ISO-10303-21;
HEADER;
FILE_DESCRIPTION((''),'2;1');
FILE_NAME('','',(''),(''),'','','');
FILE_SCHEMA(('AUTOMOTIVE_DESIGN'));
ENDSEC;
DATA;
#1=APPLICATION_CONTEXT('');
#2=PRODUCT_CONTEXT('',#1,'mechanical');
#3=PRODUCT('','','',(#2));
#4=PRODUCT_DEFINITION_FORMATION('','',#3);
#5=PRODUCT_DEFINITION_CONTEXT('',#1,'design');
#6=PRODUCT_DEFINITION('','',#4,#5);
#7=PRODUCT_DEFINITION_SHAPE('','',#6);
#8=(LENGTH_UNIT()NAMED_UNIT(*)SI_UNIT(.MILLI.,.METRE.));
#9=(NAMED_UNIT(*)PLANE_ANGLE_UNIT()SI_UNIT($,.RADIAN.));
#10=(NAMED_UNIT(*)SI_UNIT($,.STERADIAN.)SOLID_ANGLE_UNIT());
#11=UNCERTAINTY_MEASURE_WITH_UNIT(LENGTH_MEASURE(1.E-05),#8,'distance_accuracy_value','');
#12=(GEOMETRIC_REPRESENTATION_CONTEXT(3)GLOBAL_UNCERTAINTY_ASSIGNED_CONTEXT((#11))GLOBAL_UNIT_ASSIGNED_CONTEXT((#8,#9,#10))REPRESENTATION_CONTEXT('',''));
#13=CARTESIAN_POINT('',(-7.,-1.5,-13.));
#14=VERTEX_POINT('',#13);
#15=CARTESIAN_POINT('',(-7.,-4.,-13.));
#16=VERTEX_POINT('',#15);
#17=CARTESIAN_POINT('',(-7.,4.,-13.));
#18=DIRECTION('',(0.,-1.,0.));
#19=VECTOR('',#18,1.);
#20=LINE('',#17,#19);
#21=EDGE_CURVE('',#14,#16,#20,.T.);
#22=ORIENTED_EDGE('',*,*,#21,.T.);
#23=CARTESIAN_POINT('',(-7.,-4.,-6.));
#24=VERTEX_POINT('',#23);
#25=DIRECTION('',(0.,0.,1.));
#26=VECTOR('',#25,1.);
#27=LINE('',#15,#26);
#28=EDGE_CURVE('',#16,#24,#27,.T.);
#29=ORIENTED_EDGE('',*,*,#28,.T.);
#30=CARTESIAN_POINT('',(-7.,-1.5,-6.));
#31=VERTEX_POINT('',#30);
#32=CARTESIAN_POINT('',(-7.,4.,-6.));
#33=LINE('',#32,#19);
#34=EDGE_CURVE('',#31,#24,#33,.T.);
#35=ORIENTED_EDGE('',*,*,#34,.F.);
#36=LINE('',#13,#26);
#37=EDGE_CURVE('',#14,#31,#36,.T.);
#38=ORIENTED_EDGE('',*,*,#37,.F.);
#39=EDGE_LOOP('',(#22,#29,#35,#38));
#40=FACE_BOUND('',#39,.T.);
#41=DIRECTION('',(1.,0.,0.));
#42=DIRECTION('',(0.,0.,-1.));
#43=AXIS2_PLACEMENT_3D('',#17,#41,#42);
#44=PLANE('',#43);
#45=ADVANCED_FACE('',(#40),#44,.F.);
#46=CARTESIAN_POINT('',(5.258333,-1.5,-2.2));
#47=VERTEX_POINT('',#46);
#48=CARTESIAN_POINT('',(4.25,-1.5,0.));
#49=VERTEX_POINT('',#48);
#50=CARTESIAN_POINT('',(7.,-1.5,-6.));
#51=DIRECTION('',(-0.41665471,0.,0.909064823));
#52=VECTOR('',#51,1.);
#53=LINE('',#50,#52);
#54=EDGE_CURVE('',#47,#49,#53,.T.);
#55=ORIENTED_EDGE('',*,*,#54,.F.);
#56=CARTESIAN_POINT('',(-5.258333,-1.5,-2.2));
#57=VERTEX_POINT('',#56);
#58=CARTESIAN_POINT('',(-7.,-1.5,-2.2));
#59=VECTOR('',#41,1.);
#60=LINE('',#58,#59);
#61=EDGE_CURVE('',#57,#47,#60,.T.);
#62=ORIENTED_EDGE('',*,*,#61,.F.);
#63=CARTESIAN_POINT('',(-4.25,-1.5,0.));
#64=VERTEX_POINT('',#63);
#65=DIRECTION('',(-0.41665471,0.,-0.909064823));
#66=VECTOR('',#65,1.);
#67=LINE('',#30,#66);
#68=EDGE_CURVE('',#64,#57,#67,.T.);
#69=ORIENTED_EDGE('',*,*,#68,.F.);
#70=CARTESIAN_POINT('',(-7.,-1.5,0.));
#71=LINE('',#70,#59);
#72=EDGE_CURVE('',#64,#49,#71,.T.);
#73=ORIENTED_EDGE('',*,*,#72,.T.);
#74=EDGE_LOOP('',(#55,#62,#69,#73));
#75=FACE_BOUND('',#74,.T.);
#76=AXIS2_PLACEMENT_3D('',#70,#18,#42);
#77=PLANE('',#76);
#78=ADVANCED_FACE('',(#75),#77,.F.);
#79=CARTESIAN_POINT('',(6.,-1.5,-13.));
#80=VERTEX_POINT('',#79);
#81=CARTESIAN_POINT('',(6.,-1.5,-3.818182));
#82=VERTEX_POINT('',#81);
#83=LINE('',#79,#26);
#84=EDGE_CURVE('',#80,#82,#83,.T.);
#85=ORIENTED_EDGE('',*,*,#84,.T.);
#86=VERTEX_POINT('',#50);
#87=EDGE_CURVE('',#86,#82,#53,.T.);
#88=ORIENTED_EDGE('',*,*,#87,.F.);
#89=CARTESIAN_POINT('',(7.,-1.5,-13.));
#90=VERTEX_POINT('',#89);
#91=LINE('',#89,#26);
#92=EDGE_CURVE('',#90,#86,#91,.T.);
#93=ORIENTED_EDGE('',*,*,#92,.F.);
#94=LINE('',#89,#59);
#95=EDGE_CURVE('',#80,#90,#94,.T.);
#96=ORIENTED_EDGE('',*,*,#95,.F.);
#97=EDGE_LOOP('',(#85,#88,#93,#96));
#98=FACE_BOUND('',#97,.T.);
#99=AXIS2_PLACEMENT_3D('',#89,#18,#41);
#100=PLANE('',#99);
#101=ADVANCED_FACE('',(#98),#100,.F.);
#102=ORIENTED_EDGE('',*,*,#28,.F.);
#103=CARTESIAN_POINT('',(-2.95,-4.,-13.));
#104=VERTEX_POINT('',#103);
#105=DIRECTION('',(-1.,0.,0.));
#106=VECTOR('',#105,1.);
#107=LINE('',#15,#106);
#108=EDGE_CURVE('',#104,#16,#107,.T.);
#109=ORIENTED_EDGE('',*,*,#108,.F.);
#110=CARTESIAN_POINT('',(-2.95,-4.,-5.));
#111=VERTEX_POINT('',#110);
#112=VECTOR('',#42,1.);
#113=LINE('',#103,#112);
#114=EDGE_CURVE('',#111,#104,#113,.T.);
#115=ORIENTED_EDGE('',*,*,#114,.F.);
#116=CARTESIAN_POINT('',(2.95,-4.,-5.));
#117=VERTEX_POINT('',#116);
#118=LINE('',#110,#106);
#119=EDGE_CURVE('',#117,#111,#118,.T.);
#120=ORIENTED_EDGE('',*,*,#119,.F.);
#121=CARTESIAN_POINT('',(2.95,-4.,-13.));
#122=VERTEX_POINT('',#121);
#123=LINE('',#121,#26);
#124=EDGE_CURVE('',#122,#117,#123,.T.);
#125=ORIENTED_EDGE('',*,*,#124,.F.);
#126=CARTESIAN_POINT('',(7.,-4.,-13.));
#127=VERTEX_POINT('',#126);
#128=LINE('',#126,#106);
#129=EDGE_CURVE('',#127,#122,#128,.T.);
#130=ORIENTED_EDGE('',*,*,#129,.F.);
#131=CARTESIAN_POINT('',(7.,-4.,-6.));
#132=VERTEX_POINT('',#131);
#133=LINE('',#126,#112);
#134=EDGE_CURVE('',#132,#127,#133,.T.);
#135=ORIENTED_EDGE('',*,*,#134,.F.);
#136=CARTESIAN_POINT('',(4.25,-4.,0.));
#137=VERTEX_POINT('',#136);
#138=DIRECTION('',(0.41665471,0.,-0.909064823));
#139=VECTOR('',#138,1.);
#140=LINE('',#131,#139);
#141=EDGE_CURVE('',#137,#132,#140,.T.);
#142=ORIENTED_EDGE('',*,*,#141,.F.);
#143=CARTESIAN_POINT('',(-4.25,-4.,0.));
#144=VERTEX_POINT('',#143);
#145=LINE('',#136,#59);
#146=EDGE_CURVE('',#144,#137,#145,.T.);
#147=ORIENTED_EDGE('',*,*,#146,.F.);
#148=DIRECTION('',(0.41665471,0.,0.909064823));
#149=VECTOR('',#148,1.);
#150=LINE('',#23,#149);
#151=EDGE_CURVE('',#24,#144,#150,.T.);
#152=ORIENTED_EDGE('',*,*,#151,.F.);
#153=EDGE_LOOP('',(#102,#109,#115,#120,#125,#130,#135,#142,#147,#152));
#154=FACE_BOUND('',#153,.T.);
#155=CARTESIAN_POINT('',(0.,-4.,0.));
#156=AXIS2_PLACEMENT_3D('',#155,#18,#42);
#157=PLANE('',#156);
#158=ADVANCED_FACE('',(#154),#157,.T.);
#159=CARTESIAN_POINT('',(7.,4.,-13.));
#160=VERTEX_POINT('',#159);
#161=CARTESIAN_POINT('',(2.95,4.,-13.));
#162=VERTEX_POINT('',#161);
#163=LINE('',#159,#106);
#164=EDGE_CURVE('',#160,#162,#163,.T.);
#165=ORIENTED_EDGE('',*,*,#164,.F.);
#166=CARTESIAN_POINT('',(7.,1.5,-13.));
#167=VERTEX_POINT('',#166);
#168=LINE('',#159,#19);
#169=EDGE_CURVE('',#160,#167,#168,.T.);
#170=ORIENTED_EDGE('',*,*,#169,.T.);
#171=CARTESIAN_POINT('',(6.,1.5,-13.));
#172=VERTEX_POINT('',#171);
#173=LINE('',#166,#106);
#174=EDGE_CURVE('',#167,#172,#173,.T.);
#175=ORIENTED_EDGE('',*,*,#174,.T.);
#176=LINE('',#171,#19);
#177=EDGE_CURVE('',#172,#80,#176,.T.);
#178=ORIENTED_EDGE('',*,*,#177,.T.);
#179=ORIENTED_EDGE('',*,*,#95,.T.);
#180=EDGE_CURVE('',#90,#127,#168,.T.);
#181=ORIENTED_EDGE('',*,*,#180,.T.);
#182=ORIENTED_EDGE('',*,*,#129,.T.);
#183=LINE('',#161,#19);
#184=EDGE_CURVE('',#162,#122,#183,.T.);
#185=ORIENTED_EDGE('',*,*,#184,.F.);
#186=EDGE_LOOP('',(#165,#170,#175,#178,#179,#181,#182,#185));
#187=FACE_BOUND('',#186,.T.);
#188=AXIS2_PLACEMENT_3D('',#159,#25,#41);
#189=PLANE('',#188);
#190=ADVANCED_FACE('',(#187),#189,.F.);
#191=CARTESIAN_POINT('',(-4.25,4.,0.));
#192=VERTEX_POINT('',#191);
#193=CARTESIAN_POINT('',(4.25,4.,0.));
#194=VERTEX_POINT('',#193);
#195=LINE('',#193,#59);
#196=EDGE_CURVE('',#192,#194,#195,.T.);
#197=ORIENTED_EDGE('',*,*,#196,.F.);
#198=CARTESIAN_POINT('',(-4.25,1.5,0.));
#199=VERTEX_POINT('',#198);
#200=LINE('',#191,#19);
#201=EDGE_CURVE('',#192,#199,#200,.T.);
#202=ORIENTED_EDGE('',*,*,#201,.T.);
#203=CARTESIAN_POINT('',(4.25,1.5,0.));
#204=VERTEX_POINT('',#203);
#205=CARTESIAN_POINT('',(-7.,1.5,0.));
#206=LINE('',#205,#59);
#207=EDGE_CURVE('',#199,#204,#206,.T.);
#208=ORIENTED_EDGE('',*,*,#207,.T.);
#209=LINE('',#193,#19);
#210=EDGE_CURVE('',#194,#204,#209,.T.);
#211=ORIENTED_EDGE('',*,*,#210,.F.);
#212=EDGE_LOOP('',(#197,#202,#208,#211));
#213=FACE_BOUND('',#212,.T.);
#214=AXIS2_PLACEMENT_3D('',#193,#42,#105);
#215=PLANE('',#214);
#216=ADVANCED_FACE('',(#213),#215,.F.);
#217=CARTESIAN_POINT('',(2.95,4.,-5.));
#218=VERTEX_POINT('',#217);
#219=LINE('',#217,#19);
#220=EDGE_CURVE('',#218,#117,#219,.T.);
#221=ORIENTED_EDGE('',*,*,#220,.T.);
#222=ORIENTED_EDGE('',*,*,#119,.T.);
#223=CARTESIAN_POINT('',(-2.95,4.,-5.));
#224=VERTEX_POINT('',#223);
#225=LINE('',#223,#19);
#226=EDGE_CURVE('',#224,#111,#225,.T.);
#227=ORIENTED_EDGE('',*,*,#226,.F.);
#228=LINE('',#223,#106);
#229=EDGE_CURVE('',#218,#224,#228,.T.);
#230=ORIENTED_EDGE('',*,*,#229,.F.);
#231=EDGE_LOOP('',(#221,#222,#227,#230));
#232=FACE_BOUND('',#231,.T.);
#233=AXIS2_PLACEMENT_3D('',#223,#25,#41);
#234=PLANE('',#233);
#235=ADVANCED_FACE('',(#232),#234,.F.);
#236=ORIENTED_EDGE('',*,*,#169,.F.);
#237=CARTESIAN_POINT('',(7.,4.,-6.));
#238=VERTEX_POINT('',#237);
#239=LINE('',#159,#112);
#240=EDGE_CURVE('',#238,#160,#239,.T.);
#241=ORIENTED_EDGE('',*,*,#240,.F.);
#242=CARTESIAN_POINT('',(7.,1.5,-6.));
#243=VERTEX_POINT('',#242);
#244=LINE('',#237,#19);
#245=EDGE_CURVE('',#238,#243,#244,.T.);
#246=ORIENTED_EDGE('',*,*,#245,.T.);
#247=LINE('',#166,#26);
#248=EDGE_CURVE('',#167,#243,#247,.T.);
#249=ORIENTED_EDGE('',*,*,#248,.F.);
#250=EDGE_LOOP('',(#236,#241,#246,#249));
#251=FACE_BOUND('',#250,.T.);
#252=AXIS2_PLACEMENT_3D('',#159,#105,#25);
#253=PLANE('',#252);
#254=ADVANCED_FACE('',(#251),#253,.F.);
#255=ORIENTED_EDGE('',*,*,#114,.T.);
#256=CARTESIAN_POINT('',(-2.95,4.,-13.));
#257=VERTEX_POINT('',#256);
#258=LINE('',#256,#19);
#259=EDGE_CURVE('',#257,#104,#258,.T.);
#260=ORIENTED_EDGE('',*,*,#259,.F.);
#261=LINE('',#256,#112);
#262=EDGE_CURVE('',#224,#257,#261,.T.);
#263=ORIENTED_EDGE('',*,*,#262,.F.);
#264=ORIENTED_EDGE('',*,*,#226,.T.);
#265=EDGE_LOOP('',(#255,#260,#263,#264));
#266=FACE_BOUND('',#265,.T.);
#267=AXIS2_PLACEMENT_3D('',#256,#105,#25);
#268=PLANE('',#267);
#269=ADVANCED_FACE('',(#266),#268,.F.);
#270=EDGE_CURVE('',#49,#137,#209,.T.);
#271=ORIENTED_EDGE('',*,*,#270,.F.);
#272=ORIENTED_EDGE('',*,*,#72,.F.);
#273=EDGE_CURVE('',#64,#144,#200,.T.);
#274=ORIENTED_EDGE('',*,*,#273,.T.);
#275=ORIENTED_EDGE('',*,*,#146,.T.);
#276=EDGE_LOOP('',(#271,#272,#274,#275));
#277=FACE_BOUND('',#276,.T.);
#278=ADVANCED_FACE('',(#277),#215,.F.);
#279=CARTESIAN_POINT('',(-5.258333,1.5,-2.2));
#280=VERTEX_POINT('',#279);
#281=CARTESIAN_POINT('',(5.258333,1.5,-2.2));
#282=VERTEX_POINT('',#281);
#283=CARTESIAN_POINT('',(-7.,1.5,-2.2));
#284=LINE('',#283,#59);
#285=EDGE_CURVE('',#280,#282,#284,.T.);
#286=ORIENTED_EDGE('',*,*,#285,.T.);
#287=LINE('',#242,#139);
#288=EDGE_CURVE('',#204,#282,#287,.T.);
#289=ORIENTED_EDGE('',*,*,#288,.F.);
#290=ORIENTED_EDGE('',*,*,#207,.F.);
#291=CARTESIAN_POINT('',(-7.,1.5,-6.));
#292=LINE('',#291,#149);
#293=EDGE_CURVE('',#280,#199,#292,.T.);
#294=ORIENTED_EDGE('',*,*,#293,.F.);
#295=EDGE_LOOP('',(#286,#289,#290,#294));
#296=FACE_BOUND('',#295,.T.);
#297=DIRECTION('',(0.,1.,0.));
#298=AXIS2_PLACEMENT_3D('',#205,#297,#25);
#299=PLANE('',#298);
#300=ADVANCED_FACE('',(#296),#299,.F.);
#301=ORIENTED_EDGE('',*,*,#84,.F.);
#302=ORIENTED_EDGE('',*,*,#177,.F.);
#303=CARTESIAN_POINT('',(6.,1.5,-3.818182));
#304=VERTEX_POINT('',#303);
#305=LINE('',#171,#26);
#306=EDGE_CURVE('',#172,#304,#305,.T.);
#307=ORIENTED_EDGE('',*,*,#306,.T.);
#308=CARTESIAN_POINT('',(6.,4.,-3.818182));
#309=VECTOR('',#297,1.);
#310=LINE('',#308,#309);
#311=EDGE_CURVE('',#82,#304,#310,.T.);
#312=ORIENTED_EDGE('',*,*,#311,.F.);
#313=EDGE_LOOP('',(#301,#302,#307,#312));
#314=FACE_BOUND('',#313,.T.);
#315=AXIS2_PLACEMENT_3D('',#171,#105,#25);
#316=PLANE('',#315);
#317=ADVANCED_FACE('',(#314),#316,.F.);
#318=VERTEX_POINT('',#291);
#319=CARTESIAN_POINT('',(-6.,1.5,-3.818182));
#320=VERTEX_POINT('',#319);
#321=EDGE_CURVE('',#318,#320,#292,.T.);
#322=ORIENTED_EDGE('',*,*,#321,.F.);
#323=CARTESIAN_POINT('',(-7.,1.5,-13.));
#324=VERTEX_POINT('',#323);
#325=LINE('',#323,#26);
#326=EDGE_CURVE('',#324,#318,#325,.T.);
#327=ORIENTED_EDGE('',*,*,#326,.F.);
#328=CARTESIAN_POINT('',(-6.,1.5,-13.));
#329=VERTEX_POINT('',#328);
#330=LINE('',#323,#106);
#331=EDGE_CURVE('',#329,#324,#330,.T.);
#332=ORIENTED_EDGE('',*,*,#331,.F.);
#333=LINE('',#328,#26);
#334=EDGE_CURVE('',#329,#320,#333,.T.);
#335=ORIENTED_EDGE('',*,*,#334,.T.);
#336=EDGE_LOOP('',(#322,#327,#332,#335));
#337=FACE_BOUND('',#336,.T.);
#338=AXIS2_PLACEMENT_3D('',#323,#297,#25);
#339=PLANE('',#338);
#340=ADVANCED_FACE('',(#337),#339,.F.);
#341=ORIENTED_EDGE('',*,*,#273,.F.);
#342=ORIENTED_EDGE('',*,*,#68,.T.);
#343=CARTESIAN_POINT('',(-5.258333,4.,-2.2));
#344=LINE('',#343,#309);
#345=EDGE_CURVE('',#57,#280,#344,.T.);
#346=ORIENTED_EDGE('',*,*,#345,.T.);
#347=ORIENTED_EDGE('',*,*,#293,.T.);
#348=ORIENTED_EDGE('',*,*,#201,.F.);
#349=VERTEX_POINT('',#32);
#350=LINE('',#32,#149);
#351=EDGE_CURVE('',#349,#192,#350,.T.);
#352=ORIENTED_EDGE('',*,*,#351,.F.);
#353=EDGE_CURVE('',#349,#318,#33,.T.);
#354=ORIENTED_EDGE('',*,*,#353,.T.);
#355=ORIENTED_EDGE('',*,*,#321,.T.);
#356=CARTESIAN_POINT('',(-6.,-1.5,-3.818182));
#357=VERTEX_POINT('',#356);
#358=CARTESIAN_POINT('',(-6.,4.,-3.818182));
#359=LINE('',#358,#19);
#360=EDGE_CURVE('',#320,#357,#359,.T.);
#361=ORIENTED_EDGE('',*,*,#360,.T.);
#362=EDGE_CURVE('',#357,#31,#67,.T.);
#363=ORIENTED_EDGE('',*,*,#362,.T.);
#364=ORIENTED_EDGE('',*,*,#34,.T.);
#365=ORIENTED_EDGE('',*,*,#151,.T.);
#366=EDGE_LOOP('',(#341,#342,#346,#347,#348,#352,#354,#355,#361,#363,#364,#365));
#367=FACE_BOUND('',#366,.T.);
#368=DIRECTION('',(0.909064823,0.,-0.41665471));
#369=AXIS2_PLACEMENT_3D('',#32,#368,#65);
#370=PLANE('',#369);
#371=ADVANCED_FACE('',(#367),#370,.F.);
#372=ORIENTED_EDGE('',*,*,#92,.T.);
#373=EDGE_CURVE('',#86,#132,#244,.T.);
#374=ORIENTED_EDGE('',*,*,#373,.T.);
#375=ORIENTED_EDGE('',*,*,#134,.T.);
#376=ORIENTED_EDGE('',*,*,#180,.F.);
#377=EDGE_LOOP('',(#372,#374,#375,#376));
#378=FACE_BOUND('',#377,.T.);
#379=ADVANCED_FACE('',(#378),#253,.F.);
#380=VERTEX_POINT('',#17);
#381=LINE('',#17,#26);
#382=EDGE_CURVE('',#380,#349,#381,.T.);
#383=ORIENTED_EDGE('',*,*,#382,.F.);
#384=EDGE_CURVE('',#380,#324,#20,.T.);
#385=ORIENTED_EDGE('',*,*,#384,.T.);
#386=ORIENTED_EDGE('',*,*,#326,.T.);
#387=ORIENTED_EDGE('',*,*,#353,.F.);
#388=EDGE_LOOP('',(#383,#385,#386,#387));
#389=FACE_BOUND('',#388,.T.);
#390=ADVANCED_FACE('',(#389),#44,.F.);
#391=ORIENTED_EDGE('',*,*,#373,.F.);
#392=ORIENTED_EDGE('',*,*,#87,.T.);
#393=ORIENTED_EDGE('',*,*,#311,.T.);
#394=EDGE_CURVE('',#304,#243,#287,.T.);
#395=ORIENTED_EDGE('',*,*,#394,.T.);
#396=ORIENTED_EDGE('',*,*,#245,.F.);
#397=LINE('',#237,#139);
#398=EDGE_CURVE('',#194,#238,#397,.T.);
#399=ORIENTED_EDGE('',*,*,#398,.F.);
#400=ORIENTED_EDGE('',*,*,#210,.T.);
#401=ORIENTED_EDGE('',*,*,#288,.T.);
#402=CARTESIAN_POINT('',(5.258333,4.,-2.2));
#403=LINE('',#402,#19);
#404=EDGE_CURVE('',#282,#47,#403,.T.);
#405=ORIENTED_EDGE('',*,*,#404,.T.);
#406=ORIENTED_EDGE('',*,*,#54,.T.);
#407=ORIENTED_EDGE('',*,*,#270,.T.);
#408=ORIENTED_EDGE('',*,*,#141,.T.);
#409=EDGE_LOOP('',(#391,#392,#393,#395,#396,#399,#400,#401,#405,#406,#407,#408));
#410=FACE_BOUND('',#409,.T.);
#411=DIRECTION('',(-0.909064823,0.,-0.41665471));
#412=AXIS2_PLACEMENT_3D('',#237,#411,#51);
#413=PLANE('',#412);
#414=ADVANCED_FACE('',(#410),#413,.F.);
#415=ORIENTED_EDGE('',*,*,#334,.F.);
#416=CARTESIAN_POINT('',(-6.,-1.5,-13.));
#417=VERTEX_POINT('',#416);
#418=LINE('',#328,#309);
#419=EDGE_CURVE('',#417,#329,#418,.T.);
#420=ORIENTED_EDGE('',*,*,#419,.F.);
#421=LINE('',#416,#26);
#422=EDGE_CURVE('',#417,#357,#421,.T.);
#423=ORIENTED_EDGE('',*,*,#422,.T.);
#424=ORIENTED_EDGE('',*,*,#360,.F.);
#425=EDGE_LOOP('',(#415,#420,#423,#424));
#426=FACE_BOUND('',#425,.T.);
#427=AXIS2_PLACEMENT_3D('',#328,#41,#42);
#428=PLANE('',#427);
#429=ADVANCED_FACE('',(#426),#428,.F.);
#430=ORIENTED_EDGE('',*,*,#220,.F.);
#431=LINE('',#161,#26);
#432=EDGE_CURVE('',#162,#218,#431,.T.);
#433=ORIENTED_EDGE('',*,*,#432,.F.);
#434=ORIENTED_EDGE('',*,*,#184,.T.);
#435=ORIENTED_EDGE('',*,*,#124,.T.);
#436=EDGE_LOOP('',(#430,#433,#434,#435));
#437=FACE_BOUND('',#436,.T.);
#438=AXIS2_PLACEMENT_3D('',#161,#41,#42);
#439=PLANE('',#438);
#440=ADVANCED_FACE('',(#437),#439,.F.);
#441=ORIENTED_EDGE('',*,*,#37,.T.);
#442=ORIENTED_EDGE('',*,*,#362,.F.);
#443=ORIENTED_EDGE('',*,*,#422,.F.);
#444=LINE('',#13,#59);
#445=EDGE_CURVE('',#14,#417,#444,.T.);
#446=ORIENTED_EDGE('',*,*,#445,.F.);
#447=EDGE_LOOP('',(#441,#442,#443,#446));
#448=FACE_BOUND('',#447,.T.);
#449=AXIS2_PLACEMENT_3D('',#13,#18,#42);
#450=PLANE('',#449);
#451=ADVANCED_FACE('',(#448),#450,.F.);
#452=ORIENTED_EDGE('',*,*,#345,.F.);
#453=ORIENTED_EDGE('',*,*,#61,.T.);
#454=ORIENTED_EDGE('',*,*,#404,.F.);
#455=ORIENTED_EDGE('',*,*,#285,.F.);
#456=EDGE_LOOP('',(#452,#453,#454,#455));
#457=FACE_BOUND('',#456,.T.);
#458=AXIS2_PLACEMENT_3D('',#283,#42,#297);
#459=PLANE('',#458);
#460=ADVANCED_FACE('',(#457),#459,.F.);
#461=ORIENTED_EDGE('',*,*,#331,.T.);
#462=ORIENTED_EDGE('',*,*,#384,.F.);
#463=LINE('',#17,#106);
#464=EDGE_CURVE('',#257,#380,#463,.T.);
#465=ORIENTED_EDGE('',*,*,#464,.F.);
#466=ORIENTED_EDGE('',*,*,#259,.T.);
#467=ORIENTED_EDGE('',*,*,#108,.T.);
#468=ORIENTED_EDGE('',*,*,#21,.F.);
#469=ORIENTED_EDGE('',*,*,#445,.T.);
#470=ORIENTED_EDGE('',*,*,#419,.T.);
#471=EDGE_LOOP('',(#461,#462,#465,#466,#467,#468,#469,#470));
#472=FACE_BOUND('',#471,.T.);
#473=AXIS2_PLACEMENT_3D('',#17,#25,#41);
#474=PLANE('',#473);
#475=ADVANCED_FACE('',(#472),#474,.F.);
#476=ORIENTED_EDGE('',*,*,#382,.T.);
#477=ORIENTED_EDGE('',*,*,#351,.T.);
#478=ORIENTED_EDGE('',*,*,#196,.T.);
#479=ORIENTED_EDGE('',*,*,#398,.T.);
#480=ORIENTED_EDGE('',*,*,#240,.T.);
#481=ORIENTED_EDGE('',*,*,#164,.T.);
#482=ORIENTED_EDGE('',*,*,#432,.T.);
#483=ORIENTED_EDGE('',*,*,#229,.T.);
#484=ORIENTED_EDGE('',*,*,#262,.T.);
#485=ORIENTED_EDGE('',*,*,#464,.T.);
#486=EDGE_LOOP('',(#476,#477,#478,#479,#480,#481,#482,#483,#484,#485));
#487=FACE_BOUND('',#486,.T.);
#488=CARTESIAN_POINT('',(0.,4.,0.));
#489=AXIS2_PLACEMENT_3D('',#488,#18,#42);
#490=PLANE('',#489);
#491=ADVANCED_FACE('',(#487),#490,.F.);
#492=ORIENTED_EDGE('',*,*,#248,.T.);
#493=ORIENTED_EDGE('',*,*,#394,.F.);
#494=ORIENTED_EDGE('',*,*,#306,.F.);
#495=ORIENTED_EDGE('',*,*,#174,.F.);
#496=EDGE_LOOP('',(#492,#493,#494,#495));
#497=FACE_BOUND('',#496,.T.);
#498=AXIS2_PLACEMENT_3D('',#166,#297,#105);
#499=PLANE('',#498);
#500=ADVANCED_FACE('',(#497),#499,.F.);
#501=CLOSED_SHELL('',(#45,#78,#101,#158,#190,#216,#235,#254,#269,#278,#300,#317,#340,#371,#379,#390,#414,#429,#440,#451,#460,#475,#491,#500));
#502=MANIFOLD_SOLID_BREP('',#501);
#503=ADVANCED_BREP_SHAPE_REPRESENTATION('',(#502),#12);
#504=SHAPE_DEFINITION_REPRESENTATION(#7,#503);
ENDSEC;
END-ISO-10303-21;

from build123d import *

# Parameters (mm, degrees)
BOSS_EXTRUDE1_DEPTH     = 4
CUT_EXTRUDE1_DEPTH      = 16.297058541
CUT_EXTRUDE1_DEPTH_BACK = 16.297058541
SKETCH2_W               = 2.2
SKETCH2_H               = 3
SKETCH3_W               = 1
SKETCH3_H               = 3
CUT_EXTRUDE2_DEPTH      = 16.297058541


with BuildPart() as part:
    # Sketch1 → Boss-Extrude1 (new, symmetric)
    with BuildSketch(Plane(origin=(0, 0, 0), x_dir=(1, 0, 0), z_dir=(0, 1, 0))):
        Polygon((-7, 13), (-7, 6), (-4.25, 0), (4.25, 0), (7, 6), (7, 13), (2.95, 13), (2.95, 5), (-2.95, 5), (-2.95, 13), align=None)
    extrude(amount=BOSS_EXTRUDE1_DEPTH, both=True)

    # Sketch2 → Cut-Extrude1 (cut, two sides: drawn at the far end of the back side and taken through both)
    with BuildSketch(Plane(origin=(0, 0, 0), x_dir=(0, 0, -1), z_dir=(1, 0, 0)).offset(-CUT_EXTRUDE1_DEPTH_BACK)):
        with Locations((1.1, 0)):
            Rectangle(SKETCH2_W, SKETCH2_H)
    extrude(amount=CUT_EXTRUDE1_DEPTH + CUT_EXTRUDE1_DEPTH_BACK, mode=Mode.SUBTRACT)

    # Sketch3 → Cut-Extrude2 (cut, through all)
    with BuildSketch(Plane.XY):
        with Locations((-6.5, 0)):
            Rectangle(SKETCH3_W, SKETCH3_H)
        with Locations((6.5, 0)):
            Rectangle(SKETCH3_W, SKETCH3_H)
    extrude(amount=-CUT_EXTRUDE2_DEPTH, mode=Mode.SUBTRACT)


solid = part.part
